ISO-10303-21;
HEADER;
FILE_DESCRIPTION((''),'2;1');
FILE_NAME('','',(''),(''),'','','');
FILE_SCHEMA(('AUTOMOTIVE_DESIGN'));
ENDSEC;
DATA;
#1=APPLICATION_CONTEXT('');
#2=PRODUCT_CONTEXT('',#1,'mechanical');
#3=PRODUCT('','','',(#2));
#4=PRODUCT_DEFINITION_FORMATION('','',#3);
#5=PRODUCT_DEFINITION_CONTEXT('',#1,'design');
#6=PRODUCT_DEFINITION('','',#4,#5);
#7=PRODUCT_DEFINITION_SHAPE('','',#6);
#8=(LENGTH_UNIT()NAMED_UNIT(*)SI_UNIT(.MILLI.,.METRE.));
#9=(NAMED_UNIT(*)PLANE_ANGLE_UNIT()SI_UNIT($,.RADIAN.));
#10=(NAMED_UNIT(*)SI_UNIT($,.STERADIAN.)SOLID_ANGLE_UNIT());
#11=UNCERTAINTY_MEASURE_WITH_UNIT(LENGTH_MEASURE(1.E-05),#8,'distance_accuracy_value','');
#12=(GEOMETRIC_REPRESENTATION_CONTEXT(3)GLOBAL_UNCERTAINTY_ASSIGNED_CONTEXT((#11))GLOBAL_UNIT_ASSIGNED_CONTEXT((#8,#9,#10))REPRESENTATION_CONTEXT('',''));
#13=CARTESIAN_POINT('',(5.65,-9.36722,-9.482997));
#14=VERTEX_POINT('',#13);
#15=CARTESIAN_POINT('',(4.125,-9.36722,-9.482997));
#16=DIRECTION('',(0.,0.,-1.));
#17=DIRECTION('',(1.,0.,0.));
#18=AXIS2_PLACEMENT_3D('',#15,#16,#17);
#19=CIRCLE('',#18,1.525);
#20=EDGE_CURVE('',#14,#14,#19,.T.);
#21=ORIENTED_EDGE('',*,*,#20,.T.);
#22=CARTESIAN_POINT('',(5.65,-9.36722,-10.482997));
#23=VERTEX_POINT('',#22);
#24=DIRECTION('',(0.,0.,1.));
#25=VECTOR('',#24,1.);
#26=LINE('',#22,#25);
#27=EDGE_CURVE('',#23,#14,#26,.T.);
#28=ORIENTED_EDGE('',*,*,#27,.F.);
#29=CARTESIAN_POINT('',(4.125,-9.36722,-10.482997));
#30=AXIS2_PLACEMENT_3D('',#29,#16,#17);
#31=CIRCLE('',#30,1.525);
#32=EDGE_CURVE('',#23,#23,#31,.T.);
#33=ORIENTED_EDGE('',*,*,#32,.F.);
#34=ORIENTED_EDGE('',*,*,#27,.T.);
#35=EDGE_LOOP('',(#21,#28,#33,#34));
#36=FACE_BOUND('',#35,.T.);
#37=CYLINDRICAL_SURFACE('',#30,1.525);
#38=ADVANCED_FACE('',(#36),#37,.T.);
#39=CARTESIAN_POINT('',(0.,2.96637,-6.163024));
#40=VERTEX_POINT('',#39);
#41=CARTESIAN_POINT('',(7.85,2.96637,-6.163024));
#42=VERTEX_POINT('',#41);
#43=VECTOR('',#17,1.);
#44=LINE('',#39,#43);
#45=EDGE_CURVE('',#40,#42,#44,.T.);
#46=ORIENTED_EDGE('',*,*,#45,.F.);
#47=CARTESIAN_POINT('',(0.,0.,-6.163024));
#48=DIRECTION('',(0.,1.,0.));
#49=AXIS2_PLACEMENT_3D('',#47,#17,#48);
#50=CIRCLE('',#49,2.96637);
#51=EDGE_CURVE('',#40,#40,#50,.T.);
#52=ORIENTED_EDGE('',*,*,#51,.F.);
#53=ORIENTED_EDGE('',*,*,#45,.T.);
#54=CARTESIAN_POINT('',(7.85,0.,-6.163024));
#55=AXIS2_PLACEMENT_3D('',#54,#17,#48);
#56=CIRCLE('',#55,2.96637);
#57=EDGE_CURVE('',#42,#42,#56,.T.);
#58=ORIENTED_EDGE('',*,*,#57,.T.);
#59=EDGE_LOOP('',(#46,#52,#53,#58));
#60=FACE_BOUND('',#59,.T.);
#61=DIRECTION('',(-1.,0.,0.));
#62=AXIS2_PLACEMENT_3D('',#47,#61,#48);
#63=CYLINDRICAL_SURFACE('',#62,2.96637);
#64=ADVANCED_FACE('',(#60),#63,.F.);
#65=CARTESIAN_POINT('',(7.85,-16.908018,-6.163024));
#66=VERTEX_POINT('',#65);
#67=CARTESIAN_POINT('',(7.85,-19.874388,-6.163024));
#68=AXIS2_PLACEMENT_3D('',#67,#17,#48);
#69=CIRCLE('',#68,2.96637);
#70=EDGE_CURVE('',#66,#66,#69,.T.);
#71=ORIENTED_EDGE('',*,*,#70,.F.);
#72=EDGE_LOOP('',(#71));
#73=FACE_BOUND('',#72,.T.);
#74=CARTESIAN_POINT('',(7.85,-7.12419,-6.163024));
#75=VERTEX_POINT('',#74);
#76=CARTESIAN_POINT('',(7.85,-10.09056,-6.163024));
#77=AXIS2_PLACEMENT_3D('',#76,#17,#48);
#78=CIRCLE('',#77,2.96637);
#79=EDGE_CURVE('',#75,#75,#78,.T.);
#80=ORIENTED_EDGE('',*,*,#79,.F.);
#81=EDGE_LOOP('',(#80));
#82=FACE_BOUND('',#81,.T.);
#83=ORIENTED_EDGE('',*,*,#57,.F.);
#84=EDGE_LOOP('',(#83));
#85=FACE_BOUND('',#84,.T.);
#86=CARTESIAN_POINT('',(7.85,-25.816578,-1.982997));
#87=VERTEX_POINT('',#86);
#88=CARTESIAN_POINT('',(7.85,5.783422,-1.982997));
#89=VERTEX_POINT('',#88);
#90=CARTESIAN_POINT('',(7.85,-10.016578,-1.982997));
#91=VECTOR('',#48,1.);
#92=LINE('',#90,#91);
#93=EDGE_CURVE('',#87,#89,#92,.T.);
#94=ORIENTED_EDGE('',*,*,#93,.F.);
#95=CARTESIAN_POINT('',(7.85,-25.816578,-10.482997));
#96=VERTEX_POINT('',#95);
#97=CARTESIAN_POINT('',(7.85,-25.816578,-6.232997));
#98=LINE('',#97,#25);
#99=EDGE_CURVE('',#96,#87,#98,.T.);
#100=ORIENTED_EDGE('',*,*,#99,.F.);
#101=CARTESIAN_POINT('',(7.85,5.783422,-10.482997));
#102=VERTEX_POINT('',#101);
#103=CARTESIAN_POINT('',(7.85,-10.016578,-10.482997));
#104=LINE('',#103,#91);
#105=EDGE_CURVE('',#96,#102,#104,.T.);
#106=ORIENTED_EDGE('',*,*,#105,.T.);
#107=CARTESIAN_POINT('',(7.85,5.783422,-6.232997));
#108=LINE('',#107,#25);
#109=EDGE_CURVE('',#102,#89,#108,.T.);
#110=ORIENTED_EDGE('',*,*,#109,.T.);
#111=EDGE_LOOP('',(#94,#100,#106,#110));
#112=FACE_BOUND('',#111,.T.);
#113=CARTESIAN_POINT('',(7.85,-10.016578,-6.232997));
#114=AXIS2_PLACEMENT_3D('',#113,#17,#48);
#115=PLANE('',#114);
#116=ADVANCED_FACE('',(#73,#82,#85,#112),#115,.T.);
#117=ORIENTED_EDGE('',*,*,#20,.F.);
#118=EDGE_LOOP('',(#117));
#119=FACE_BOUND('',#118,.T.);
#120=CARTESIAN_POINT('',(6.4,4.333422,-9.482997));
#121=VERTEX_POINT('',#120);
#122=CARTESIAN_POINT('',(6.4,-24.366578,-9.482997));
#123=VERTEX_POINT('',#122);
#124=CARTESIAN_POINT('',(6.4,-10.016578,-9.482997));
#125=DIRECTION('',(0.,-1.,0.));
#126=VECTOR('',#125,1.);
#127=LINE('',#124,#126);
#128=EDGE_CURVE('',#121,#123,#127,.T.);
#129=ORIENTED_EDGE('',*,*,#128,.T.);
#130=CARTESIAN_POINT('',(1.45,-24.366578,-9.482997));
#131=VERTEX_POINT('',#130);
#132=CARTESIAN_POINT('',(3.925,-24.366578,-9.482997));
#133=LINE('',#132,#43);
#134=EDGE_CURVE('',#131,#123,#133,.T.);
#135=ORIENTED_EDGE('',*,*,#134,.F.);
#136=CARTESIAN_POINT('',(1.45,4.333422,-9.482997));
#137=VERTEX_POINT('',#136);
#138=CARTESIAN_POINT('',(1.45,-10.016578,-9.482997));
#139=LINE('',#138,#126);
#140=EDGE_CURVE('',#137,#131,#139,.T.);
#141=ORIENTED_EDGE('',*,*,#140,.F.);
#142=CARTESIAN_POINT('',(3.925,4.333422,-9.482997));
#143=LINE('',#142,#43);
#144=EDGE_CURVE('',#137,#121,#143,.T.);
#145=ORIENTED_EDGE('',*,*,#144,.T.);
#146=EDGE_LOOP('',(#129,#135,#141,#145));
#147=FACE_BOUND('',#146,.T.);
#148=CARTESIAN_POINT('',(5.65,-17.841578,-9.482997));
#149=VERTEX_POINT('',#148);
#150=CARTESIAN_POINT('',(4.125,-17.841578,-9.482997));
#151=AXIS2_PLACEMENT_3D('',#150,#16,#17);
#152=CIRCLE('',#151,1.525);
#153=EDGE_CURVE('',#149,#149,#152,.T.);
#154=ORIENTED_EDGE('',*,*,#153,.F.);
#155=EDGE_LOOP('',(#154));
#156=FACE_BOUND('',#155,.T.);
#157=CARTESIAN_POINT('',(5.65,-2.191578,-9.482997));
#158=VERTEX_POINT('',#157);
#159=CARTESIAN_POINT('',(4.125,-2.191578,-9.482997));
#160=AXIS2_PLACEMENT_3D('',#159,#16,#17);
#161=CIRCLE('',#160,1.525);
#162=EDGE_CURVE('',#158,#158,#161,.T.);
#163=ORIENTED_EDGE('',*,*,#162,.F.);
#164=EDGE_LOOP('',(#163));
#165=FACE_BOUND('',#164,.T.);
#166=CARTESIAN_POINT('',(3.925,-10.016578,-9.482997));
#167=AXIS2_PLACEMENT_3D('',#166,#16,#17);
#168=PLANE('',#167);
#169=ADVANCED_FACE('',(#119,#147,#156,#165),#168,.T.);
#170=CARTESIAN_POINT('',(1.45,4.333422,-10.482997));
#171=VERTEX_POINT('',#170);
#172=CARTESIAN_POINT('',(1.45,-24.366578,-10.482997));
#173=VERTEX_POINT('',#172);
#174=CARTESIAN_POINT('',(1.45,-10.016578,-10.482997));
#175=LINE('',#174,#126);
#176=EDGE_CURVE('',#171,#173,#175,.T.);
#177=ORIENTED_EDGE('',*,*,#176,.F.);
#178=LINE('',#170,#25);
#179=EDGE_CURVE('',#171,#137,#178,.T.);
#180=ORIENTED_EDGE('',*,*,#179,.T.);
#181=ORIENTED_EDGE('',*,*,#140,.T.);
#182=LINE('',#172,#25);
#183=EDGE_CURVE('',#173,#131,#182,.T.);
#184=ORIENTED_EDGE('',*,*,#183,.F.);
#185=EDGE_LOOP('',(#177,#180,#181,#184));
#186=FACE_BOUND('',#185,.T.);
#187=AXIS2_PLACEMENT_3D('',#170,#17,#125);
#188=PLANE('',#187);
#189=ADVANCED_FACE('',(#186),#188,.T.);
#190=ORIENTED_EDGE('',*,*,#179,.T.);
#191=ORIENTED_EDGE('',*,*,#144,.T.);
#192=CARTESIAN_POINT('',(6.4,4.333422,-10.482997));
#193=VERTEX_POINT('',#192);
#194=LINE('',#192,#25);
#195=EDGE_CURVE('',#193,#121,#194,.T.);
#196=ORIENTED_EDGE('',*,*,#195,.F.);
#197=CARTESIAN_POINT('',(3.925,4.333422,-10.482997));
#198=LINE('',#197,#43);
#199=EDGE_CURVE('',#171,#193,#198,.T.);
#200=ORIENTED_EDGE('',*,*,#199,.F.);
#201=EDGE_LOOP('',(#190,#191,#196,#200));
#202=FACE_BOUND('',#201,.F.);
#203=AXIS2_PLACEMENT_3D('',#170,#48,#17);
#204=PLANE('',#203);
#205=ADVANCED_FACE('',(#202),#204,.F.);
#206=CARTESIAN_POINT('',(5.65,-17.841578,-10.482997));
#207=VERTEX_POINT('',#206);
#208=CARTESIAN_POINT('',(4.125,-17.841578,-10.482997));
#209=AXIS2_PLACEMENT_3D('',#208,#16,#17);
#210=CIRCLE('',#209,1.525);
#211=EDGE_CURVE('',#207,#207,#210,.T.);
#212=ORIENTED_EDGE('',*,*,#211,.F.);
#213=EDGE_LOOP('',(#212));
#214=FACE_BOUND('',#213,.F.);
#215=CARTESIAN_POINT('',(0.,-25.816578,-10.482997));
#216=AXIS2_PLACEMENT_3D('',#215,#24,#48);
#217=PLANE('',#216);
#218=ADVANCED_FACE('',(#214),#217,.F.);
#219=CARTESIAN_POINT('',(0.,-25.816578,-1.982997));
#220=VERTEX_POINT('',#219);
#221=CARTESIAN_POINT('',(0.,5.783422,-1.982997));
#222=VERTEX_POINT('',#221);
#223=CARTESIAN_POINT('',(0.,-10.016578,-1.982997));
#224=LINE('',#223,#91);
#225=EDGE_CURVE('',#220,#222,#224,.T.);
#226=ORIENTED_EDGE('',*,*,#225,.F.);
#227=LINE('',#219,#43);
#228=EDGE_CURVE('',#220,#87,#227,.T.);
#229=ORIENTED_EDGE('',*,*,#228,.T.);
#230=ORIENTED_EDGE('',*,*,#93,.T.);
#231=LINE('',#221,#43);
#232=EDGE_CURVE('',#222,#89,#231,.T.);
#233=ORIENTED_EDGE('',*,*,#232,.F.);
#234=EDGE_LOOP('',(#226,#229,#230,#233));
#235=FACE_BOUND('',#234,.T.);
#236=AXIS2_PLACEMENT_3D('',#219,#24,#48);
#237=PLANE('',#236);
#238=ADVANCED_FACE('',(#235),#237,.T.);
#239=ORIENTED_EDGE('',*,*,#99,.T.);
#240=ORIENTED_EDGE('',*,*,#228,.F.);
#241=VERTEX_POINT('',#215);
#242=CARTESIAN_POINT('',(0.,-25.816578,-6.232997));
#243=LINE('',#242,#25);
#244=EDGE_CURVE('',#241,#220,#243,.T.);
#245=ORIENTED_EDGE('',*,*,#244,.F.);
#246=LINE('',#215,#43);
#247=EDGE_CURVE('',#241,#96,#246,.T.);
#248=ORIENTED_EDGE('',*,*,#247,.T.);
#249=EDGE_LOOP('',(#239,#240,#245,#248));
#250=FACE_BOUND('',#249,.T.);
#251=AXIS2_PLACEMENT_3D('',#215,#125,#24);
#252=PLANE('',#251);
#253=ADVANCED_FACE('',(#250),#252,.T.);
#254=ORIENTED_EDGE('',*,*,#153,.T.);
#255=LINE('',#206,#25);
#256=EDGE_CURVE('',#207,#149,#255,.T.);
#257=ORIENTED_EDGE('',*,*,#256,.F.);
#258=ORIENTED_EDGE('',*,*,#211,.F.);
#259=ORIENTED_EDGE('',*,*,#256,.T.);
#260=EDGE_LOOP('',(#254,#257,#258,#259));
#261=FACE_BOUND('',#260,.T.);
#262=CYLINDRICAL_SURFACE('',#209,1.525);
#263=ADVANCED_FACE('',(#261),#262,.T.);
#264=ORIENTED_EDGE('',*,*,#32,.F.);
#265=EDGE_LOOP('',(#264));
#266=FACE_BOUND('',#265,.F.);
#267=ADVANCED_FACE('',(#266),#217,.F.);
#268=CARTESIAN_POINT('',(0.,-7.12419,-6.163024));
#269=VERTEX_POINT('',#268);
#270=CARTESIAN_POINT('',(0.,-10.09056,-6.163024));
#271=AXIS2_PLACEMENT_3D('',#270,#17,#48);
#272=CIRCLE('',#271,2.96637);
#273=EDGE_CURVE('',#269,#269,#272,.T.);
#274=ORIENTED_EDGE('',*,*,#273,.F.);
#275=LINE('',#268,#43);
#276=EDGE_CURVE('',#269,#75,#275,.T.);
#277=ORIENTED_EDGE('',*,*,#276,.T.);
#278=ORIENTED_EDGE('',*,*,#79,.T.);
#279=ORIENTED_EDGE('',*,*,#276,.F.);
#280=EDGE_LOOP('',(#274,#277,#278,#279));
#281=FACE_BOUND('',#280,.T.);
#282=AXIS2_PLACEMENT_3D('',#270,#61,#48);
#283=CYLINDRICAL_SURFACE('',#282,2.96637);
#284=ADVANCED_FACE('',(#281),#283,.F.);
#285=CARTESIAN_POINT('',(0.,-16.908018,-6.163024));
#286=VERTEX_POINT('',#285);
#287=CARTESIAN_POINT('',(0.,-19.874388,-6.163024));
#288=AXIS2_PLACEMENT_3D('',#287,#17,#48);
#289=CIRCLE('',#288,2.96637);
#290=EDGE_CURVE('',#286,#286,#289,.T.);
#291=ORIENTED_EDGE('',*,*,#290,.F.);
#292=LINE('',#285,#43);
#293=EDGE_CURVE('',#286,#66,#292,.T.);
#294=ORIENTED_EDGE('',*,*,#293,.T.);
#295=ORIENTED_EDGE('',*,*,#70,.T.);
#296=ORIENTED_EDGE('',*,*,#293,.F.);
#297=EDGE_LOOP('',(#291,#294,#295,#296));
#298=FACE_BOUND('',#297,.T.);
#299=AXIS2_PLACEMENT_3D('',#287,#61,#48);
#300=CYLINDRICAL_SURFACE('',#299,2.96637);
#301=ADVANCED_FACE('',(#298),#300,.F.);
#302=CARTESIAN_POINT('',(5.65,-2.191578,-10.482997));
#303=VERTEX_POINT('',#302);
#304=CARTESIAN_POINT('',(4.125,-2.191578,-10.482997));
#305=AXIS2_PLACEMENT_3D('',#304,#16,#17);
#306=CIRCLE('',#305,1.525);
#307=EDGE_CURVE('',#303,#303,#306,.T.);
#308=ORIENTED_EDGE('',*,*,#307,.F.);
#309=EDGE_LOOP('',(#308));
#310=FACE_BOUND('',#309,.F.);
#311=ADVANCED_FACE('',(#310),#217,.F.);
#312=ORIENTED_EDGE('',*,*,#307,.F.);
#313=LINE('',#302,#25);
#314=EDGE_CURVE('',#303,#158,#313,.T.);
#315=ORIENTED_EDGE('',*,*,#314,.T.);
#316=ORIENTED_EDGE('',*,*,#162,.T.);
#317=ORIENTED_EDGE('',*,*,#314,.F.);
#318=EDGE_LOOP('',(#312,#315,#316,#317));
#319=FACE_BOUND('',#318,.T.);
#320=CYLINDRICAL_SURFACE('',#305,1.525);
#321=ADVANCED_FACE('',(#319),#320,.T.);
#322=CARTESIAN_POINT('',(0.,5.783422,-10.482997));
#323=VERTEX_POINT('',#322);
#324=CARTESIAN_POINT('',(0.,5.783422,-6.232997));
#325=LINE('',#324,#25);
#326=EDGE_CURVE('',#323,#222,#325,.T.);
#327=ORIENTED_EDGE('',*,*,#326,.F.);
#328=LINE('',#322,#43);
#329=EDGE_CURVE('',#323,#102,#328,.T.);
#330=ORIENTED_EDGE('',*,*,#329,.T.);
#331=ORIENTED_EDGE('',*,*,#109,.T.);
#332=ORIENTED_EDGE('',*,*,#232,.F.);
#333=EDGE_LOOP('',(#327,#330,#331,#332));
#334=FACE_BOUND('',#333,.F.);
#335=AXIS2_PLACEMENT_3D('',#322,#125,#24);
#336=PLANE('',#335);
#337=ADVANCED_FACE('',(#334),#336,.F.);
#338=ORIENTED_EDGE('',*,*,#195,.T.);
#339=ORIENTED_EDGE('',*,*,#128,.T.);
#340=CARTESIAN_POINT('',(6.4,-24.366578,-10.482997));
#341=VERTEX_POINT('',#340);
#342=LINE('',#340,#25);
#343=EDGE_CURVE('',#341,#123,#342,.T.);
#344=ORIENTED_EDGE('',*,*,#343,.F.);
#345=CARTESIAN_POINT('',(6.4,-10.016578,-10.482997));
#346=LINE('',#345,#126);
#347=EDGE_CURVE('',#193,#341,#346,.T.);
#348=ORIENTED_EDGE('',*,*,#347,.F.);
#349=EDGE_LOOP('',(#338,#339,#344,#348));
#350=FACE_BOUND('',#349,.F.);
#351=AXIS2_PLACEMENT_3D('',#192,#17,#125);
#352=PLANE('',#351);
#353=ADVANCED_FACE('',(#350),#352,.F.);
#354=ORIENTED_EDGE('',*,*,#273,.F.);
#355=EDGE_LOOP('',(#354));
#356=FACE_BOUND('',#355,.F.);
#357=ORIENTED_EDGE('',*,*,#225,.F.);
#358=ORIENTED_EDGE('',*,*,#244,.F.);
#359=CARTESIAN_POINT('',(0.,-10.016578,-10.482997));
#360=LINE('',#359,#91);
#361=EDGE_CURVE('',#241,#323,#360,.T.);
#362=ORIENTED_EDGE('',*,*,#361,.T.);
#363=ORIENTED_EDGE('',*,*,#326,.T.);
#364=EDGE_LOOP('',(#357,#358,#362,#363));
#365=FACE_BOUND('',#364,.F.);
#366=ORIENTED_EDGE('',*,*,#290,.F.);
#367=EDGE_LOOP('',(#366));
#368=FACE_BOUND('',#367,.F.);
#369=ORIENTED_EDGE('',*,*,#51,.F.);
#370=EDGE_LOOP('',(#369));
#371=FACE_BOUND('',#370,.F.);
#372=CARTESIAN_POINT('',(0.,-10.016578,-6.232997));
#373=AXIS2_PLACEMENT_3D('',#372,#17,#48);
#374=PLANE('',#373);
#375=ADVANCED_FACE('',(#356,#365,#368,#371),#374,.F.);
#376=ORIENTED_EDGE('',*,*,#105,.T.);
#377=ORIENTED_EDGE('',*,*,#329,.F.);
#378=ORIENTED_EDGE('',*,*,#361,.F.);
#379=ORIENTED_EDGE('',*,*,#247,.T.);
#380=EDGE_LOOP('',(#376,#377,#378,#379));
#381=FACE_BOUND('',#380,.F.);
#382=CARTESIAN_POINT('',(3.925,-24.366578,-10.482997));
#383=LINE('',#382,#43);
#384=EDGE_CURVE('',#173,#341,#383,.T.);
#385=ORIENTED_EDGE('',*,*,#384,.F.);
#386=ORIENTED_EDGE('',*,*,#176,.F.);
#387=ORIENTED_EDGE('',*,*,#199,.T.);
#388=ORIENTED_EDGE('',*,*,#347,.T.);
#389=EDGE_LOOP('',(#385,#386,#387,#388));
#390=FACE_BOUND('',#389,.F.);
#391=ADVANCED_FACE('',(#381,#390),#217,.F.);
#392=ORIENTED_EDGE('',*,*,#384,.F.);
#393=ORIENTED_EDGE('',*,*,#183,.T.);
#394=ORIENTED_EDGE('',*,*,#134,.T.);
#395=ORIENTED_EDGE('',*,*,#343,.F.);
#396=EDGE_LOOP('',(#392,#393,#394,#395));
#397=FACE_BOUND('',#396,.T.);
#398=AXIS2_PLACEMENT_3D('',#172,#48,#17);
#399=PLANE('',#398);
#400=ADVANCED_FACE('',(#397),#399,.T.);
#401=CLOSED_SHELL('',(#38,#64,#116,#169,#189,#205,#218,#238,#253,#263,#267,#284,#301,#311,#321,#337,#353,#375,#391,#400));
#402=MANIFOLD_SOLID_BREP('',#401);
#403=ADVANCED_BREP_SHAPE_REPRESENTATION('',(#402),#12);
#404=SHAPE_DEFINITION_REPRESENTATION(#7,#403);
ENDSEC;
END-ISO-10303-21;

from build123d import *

# Parameters (mm, degrees)
F0_W     = 31.6
F0_H     = 8.5
F0_R     = 2.96637
F1_DEPTH = 7.85
F2_W     = 4.95
F2_H     = 28.7
F2_R     = 1.525
F3_DEPTH = 1


with BuildPart() as f1:
    # F0 (on Right) → F1 (new body)
    with BuildSketch(Plane.YZ):
        with Locations((-10.016578, -6.232997)):
            Rectangle(F0_W, F0_H)
        with Locations((-19.874388, -6.163024)):
            Circle(F0_R, mode=Mode.SUBTRACT)
        with Locations((-10.09056, -6.163024)):
            Circle(F0_R, mode=Mode.SUBTRACT)
        with Locations((0, -6.163024)):
            Circle(F0_R, mode=Mode.SUBTRACT)
    extrude(amount=F1_DEPTH)

    # F2 (on face) → F3 (cut)
    with BuildSketch(Plane(origin=(0, 0, -10.482997), x_dir=(1, 0, 0), z_dir=(0, 0, -1))):
        with Locations((3.925, 10.016578)):
            Rectangle(F2_W, F2_H)
        with Locations((4.125, 2.191578)):
            Circle(F2_R, mode=Mode.SUBTRACT)
        with Locations((4.125, 9.36722)):
            Circle(F2_R, mode=Mode.SUBTRACT)
        with Locations((4.125, 17.841578)):
            Circle(F2_R, mode=Mode.SUBTRACT)
    extrude(amount=-F3_DEPTH, mode=Mode.SUBTRACT)


solid = f1.part
